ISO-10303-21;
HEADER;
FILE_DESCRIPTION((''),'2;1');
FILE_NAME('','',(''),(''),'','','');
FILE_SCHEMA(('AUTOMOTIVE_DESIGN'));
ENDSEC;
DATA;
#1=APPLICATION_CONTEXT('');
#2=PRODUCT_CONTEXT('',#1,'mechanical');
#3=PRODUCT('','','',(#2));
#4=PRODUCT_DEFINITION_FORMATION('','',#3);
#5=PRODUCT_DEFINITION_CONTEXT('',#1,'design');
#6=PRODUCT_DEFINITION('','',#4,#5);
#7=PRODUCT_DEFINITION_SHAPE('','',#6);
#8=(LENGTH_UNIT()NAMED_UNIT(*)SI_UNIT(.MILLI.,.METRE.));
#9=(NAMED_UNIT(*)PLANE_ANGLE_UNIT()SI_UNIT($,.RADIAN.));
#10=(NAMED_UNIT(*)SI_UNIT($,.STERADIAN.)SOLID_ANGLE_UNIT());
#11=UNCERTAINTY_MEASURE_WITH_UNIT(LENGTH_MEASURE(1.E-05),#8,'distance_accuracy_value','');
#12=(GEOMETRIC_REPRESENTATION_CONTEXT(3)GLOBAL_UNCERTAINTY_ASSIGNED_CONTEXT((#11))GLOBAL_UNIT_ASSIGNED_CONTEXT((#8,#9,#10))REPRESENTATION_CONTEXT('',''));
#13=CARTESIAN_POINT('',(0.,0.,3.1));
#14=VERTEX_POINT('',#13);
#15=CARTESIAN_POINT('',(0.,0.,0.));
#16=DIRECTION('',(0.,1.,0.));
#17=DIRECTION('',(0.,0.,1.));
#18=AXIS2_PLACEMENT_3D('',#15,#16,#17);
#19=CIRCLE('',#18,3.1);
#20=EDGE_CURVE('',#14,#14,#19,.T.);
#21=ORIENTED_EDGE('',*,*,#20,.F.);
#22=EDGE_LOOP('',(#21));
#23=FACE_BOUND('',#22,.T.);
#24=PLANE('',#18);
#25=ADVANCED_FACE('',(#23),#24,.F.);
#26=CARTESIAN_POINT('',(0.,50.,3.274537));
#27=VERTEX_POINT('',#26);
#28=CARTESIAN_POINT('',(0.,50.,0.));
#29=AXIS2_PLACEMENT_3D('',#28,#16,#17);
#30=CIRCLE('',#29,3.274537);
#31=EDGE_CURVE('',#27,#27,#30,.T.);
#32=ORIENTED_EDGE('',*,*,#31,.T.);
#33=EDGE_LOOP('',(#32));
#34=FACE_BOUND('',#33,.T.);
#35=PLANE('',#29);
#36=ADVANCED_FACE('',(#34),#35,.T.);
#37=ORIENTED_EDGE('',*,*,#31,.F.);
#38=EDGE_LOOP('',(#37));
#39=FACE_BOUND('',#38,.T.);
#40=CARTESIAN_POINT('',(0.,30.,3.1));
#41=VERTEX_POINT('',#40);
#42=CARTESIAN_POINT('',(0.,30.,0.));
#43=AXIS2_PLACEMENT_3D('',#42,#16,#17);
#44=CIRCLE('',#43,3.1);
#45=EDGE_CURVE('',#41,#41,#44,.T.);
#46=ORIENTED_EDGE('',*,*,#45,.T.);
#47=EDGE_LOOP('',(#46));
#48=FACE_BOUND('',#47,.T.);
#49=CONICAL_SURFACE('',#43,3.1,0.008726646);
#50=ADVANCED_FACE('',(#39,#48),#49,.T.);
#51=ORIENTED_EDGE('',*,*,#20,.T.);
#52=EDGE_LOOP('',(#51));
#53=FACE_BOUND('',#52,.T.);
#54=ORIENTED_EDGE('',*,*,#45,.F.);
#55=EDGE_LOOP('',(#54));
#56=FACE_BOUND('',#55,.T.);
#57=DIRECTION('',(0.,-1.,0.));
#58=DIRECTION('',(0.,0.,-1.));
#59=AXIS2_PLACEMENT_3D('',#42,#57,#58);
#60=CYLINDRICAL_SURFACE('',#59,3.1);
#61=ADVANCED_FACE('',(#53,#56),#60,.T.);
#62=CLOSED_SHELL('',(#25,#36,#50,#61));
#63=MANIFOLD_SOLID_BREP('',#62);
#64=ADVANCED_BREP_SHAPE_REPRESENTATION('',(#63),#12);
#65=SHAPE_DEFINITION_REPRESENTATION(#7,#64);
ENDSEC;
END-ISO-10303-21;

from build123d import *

# Parameters (mm, degrees)
SKICA1_R                = 3.1
P_IDAT_VYSUNUT_M1_DEPTH = 30
SKICA2_R                = 3.1
P_IDAT_VYSUNUT_M2_DEPTH = 20
P_IDAT_VYSUNUT_M2_TAPER = -0.5


with BuildPart() as part:
    # Skica1 → Přidat vysunutím1 (new body)
    with BuildSketch(Plane(origin=(0, 0, 0), x_dir=(1, 0, 0), z_dir=(0, 1, 0))):
        Circle(SKICA1_R)
    extrude(amount=P_IDAT_VYSUNUT_M1_DEPTH)

    # Skica2 → Přidat vysunutím2 (add)
    with BuildSketch(Plane(origin=(0, 30, 0), x_dir=(1, 0, 0), z_dir=(0, 1, 0))):
        Circle(SKICA2_R)
    extrude(amount=P_IDAT_VYSUNUT_M2_DEPTH, taper=P_IDAT_VYSUNUT_M2_TAPER)


solid = part.part
